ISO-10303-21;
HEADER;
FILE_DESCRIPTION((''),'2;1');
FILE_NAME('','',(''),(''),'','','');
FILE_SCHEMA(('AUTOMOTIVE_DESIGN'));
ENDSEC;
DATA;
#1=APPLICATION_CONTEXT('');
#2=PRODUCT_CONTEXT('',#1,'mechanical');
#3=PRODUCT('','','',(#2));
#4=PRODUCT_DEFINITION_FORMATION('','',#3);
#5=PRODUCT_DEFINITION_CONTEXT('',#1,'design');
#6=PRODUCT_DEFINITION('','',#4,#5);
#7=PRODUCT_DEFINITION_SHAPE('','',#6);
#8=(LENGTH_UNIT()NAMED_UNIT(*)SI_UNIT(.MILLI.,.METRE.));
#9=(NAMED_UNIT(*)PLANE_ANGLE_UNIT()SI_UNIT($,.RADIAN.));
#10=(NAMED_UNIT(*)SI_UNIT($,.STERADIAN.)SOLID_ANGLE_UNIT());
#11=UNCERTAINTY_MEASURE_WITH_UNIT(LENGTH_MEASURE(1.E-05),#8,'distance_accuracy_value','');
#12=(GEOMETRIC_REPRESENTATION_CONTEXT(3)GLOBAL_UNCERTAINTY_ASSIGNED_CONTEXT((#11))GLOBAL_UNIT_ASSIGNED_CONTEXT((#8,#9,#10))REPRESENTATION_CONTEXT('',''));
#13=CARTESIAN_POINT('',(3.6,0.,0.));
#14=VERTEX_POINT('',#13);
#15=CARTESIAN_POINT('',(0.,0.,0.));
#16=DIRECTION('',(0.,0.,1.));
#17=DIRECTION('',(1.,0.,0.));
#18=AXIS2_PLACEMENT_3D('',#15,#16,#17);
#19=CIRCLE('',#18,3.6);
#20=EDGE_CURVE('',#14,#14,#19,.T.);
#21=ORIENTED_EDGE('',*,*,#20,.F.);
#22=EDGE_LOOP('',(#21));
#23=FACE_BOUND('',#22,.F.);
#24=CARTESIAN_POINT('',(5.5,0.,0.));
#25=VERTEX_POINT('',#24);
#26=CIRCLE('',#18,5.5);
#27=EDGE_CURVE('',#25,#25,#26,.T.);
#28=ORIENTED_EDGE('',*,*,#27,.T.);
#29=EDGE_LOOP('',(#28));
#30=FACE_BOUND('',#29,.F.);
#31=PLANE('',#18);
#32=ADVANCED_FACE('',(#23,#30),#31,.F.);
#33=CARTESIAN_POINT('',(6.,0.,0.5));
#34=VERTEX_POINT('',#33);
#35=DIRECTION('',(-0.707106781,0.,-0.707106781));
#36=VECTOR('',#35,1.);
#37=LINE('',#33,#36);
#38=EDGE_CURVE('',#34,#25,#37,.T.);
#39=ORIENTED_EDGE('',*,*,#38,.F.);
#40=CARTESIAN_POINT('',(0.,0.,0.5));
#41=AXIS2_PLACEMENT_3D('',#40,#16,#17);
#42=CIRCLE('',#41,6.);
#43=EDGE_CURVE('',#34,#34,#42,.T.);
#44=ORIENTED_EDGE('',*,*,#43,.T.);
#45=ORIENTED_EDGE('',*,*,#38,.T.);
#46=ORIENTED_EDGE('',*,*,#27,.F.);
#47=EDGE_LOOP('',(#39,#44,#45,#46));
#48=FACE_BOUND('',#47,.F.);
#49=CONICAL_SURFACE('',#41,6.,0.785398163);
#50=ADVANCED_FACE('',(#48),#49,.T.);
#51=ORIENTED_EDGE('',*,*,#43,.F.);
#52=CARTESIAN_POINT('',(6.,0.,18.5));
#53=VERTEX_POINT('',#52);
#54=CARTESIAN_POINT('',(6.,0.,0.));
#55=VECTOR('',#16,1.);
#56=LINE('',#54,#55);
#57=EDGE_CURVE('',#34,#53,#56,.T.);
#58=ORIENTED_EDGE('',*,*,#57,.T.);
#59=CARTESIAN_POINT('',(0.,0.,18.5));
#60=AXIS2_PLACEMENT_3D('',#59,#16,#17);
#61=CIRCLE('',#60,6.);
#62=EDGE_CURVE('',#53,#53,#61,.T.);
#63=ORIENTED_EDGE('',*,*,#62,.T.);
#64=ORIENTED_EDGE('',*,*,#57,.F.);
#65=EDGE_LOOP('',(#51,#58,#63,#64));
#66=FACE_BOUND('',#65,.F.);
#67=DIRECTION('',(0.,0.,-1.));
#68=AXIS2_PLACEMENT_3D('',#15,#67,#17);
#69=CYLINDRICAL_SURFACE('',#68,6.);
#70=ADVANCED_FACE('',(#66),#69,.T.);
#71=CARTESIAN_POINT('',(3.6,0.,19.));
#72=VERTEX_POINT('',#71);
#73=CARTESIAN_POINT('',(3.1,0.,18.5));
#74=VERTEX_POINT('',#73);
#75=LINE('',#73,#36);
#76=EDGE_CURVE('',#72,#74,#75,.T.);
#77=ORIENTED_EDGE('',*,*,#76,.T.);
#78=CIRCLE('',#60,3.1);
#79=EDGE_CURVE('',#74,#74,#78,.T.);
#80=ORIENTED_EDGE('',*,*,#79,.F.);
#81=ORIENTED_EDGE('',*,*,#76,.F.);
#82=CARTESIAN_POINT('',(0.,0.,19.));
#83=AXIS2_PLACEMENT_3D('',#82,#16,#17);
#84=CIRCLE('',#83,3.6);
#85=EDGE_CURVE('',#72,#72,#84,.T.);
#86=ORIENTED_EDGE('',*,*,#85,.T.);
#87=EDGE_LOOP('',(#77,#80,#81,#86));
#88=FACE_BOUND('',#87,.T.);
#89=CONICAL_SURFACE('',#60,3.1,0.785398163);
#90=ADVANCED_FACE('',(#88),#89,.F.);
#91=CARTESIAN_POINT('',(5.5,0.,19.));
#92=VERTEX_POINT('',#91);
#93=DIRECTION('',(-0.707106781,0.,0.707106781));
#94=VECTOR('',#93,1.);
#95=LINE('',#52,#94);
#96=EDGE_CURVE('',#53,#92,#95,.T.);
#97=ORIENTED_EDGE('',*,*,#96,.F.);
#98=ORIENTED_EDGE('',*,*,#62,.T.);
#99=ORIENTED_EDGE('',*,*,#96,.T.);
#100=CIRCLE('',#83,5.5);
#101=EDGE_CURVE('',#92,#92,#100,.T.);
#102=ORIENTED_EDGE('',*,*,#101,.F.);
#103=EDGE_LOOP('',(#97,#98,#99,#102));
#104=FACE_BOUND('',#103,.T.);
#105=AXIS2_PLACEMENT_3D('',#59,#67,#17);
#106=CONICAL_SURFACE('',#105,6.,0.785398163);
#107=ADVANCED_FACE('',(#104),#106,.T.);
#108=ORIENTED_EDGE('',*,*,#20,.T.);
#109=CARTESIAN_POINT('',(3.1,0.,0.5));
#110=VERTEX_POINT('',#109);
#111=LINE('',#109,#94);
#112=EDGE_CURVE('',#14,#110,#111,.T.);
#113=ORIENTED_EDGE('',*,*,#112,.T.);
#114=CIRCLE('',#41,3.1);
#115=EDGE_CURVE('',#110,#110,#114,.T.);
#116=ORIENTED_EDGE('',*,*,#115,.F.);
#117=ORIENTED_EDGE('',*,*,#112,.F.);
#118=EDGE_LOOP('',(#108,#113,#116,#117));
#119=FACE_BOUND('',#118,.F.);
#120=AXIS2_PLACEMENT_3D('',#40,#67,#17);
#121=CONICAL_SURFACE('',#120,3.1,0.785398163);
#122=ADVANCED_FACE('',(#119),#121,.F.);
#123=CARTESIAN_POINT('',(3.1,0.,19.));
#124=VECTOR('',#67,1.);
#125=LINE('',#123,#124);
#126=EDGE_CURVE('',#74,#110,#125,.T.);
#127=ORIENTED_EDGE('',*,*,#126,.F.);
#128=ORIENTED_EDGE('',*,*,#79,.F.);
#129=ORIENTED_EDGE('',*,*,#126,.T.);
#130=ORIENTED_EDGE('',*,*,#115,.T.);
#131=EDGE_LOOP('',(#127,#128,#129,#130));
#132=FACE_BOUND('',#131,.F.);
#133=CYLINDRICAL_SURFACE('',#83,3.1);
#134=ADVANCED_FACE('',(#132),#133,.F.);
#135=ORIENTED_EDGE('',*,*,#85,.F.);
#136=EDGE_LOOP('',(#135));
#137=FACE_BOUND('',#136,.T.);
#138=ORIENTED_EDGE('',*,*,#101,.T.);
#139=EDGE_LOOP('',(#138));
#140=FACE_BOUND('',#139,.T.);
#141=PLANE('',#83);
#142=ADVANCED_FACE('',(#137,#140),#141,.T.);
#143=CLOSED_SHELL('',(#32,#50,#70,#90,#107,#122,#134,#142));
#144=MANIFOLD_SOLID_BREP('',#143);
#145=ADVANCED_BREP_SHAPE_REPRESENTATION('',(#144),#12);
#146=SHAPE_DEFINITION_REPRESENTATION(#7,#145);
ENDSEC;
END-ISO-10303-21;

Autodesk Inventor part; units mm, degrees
ref_plane "YZ Plane" through (0, 0, 0) normal (1, 0, 0) x (0, 1, 0)
ref_plane "XZ Plane" through (0, 0, 0) normal (0, 1, 0) x (-1, 0, 0)
ref_plane "XY Plane" through (0, 0, 0) normal (0, 0, 1) x (1, 0, 0)
sketch "Sketch1" plane through (0, 0, 0) normal (0, 0, 1) x (1, 0, 0)
  circle A0 centre (0, 0) radius 6
  dimension "d0" = 12
extrude "Extrusion1" add sketch "Sketch1" along normal blind 19
sketch "Sketch2" plane through (0, 0, 19) normal (0, 0, 1) x (1, 0, 0)
  circle A0 centre (0, 0) radius 6 projected
  circle A1 centre (0, 0) radius 3.1
  dimension "d3" = 6.2
extrude "Extrusion2" cut sketch "Sketch2" against normal blind 19 contours A1
chamfer "Chamfer1" distance 0.5 angle 45 4 edges at (-6, 0, 19) (-3.1, 0, 19) (-3.1, 0, 0) (-6, 0, 0)
properties part number "6mmLinearBearing"
